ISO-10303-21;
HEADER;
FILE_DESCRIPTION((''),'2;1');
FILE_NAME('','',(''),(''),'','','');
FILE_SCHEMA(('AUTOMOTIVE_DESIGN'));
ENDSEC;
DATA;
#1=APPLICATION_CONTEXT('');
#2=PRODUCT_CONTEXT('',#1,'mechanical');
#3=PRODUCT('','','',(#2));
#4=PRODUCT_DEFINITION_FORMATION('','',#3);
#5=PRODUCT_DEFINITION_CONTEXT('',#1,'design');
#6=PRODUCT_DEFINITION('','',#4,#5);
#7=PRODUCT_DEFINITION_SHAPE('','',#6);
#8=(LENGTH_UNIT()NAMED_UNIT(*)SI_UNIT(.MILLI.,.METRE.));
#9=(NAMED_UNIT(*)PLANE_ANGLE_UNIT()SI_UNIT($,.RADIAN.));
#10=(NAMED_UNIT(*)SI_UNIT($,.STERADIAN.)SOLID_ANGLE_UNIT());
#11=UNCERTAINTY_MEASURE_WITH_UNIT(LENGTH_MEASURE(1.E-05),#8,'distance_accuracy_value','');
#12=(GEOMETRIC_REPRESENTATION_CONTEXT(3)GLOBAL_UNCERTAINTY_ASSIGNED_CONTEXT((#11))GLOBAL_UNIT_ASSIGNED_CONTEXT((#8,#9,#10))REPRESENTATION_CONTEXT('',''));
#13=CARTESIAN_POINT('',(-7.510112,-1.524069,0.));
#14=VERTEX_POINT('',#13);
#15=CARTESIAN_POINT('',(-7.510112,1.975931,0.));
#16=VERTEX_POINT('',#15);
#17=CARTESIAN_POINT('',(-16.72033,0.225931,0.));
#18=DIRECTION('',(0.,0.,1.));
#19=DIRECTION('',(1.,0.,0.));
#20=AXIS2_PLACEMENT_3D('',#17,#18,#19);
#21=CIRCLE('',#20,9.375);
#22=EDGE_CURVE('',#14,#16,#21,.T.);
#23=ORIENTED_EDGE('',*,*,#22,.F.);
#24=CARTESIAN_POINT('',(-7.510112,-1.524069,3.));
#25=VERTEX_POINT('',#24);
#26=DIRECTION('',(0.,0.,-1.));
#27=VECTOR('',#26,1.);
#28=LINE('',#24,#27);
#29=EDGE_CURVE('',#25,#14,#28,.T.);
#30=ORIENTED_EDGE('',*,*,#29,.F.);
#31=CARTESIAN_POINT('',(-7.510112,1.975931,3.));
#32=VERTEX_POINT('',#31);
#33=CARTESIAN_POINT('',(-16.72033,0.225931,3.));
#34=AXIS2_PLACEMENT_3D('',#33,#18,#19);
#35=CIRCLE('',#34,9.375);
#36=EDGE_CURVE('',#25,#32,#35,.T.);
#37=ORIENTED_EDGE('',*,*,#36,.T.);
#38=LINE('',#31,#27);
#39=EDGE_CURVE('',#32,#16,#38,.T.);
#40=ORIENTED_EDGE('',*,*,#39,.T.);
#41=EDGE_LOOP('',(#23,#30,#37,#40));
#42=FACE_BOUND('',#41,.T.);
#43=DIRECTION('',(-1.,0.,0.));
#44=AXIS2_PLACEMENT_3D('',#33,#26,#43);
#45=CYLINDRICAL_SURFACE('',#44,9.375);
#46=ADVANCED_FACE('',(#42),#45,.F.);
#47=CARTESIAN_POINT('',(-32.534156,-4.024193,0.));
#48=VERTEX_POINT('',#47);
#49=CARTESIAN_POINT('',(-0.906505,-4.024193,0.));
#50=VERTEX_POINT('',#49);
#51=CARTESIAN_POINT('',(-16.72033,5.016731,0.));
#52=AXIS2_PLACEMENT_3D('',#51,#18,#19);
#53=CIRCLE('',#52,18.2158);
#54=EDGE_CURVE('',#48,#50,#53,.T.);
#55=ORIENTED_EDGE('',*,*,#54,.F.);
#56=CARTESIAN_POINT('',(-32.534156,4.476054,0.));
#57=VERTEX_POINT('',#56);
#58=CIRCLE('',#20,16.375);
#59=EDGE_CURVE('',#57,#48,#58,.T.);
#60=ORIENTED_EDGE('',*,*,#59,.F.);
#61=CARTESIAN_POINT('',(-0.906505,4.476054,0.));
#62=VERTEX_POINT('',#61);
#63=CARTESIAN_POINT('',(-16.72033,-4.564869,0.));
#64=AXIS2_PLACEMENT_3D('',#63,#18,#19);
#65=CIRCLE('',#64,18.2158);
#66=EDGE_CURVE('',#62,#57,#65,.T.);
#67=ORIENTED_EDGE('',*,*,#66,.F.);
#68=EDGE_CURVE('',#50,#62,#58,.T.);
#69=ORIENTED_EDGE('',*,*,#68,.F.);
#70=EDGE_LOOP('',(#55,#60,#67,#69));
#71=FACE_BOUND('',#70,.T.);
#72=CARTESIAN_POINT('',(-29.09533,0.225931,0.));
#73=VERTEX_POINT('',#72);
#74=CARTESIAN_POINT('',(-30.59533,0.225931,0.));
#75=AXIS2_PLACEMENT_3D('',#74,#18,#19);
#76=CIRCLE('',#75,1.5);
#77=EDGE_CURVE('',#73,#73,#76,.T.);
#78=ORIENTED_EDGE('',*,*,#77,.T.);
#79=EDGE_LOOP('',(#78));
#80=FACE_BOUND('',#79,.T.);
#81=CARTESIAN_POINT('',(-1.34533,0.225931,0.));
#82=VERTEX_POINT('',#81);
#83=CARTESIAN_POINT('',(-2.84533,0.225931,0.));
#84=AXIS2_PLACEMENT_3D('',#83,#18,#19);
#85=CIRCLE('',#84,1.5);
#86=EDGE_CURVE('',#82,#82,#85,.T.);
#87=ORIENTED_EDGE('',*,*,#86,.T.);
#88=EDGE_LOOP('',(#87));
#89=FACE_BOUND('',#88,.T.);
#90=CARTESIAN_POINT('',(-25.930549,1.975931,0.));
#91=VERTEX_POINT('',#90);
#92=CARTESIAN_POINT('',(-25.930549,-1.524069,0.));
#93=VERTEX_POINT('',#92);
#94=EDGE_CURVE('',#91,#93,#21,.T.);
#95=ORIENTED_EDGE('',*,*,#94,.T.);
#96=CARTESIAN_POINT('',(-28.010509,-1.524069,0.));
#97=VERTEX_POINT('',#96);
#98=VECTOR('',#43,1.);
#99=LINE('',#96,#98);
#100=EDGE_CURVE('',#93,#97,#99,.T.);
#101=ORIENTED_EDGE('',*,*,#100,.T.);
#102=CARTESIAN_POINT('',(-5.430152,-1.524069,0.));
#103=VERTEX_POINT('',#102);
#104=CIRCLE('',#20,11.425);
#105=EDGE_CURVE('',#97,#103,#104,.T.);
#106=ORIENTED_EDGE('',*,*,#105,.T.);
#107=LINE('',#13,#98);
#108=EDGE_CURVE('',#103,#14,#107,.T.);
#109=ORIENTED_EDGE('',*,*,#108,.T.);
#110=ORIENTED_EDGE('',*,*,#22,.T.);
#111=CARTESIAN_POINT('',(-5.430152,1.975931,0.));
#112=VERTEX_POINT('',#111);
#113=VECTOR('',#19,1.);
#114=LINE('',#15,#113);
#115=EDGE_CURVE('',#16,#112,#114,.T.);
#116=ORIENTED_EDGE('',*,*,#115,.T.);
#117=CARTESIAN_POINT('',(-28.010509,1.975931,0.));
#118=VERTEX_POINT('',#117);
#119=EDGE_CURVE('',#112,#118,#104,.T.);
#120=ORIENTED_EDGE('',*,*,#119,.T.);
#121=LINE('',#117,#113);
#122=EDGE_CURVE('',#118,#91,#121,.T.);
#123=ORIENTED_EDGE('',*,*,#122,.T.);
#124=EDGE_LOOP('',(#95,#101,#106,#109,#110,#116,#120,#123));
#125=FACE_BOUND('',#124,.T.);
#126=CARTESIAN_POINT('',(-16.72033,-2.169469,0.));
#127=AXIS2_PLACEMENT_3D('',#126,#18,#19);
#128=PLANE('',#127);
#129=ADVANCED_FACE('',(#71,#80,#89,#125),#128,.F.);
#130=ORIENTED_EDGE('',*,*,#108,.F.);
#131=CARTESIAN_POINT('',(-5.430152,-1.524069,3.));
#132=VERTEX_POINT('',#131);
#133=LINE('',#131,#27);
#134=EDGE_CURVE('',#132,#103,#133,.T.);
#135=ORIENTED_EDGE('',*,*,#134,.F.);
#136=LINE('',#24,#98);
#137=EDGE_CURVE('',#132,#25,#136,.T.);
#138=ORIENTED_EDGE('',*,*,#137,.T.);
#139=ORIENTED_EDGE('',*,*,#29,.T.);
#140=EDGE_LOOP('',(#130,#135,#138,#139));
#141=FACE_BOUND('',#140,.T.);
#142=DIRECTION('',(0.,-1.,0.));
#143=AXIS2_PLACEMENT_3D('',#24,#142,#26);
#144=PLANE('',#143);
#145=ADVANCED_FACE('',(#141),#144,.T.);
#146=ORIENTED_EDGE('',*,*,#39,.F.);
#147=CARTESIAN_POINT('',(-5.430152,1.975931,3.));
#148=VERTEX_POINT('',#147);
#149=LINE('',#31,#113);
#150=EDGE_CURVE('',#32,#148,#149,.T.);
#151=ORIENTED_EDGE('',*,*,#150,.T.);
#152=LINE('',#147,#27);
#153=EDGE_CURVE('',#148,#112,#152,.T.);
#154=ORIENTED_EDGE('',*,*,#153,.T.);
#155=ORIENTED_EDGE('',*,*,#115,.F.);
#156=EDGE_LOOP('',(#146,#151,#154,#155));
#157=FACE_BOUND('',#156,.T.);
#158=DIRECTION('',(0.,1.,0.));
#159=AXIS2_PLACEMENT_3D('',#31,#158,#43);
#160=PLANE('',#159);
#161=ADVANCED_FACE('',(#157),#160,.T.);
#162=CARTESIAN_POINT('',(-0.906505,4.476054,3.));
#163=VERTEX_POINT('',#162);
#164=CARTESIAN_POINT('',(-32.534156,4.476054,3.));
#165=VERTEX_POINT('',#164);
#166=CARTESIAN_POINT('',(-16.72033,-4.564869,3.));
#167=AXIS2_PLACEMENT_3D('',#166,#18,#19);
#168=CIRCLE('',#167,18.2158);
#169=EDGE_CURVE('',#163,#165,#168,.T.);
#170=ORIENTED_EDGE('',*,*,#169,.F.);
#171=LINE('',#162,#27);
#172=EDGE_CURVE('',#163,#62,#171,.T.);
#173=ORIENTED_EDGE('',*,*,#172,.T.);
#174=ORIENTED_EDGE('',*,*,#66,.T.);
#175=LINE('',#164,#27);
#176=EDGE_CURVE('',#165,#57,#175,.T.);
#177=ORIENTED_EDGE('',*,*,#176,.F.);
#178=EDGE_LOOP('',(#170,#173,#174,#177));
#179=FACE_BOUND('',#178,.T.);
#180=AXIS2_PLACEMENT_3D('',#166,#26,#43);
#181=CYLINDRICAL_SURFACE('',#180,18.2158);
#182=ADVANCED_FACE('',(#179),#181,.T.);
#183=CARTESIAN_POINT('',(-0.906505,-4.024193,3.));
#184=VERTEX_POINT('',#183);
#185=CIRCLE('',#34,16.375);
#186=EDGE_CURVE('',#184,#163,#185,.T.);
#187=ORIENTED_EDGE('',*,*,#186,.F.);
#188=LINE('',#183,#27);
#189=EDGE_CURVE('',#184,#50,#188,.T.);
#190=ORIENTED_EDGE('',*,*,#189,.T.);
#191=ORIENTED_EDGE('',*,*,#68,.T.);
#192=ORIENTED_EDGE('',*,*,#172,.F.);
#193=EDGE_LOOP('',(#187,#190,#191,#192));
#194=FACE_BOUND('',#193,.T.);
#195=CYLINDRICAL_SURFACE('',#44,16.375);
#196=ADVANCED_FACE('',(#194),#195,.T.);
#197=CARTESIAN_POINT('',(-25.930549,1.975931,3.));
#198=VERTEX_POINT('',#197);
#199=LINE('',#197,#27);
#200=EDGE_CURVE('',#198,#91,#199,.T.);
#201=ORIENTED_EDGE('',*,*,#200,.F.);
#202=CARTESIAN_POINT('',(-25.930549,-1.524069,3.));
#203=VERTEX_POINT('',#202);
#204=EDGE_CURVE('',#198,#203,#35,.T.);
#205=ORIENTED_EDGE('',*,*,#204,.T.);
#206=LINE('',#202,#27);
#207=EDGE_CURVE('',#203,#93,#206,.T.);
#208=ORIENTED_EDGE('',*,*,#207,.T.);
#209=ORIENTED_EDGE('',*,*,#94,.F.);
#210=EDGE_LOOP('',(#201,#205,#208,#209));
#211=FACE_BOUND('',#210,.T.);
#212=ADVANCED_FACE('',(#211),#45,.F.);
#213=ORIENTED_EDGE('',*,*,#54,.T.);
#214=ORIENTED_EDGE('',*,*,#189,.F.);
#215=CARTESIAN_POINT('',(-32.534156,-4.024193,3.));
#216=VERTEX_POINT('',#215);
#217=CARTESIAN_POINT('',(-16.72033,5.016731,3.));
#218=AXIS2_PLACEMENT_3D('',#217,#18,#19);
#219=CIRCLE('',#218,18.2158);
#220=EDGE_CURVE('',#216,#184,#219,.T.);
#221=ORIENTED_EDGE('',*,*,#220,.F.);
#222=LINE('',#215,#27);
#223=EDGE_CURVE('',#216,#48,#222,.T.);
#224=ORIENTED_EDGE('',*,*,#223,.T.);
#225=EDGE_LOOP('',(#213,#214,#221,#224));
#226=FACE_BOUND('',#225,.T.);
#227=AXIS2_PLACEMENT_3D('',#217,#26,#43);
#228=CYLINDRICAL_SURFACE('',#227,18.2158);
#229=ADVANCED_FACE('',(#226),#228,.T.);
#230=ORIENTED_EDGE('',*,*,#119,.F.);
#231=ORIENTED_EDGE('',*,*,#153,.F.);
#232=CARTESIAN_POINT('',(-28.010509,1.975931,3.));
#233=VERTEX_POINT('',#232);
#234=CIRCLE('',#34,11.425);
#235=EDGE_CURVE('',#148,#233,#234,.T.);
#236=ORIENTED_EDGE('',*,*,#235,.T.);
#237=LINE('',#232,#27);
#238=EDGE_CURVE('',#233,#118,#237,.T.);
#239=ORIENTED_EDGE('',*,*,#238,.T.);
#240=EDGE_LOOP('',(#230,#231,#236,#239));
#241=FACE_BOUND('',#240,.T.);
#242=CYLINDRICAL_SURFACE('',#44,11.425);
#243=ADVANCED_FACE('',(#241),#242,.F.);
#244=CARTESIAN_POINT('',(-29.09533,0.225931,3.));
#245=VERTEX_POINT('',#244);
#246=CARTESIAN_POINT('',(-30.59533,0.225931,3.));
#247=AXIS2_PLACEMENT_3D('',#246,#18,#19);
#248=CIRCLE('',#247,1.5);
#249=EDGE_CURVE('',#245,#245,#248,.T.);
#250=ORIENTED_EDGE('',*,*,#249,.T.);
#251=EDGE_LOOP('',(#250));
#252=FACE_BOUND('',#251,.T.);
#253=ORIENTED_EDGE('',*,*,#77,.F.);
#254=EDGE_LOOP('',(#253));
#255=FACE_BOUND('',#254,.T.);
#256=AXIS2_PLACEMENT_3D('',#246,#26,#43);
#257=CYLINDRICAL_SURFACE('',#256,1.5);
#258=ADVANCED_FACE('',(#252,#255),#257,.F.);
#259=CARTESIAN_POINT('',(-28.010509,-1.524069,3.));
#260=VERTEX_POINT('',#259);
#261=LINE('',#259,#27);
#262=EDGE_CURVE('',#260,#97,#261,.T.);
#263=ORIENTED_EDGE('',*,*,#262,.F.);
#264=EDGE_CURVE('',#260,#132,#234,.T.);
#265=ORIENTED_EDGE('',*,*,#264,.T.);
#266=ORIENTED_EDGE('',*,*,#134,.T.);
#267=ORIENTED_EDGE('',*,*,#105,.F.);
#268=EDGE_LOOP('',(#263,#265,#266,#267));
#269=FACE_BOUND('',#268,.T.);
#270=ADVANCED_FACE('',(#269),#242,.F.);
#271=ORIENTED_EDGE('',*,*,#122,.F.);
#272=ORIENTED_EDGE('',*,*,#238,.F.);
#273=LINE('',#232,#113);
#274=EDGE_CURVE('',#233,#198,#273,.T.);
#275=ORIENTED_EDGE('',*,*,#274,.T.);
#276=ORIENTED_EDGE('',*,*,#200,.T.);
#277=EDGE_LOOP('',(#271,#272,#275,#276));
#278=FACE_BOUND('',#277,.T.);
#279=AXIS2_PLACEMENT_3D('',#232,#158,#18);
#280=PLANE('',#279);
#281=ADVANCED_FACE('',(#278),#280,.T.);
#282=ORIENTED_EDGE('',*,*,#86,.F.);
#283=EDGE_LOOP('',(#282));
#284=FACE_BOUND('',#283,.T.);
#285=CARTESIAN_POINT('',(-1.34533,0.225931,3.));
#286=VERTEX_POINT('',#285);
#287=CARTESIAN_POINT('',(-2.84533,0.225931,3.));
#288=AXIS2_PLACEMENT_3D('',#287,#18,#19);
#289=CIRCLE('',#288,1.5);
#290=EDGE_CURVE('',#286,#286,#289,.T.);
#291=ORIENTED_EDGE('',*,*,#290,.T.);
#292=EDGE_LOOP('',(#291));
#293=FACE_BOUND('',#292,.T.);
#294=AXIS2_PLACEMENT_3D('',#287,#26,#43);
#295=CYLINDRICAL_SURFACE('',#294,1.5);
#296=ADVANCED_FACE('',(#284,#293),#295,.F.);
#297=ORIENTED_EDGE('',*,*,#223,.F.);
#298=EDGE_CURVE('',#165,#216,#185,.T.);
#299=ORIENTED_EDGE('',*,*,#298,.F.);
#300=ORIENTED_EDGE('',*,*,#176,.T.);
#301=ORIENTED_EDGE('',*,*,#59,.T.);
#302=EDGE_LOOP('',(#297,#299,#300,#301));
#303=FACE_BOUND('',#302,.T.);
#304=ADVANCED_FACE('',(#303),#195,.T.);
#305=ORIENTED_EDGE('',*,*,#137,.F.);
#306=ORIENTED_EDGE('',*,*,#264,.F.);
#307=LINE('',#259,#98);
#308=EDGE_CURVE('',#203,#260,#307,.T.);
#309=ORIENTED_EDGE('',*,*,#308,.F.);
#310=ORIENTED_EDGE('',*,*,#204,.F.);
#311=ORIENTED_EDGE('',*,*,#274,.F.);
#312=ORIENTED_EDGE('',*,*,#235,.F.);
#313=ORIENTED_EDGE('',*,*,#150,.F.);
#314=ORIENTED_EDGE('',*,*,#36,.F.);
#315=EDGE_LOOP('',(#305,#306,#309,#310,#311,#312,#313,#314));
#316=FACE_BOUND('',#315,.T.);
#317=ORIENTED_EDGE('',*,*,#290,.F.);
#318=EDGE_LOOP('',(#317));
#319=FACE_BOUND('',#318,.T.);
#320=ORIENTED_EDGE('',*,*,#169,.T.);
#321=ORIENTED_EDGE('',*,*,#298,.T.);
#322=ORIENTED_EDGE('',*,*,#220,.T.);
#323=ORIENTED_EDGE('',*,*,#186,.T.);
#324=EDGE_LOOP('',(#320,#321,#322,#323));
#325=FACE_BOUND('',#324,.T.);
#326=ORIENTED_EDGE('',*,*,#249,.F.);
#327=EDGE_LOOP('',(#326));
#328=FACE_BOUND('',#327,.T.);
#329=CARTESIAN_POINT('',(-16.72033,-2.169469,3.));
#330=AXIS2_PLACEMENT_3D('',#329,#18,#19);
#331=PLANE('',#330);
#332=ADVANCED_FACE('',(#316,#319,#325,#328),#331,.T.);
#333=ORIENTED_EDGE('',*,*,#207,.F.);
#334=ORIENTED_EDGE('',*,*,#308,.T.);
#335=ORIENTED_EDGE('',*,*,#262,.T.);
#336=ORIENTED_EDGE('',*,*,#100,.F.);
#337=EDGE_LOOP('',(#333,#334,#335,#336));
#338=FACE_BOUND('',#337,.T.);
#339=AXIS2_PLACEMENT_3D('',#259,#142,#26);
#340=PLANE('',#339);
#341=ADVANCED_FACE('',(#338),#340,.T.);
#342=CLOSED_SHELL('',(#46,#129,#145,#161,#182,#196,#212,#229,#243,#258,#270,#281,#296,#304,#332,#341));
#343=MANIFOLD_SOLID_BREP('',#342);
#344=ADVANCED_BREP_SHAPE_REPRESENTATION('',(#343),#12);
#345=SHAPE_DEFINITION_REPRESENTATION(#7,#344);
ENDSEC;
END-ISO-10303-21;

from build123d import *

# Parameters (mm, degrees)
SKETCH1_R           = 1.5
BOSS_EXTRUDE1_DEPTH = 3


with BuildPart() as part:
    # Sketch1 → Boss-Extrude1 (new body)
    with BuildSketch(Plane.XY):
        with BuildLine():
            ThreePointArc((-32.534155724, 4.476054283), (-33.095330262, 0.22593084), (-32.534155724, -4.024192603))
            ThreePointArc((-32.534155724, -4.024192603), (-16.720330262, -13.19906916), (-0.906504801, -4.024192603))
            ThreePointArc((-0.906504801, -4.024192603), (-0.345330262, 0.22593084), (-0.906504801, 4.476054283))
            ThreePointArc((-0.906504801, 4.476054283), (-16.720330262, 13.65093084), (-32.534155724, 4.476054283))
        make_face()
        with Locations((-2.845330262, 0.22593084)):
            Circle(SKETCH1_R, mode=Mode.SUBTRACT)
        with Locations((-30.595330262, 0.22593084)):
            Circle(SKETCH1_R, mode=Mode.SUBTRACT)
        with BuildLine():
            Line((-28.010508516, -1.52406916), (-25.930548772, -1.52406916))
            ThreePointArc((-25.930548772, -1.52406916), (-26.095330262, 0.22593084), (-25.930548772, 1.97593084))
            Line((-25.930548772, 1.97593084), (-28.010508516, 1.97593084))
            ThreePointArc((-28.010508516, 1.97593084), (-16.720330262, 11.65093084), (-5.430152009, 1.97593084))
            Line((-5.430152009, 1.97593084), (-7.510111752, 1.97593084))
            ThreePointArc((-7.510111752, 1.97593084), (-7.345330262, 0.22593084), (-7.510111752, -1.52406916))
            Line((-7.510111752, -1.52406916), (-5.430152009, -1.52406916))
            ThreePointArc((-5.430152009, -1.52406916), (-16.720330262, -11.19906916), (-28.010508516, -1.52406916))
        make_face(mode=Mode.SUBTRACT)
    extrude(amount=BOSS_EXTRUDE1_DEPTH)


solid = part.part
